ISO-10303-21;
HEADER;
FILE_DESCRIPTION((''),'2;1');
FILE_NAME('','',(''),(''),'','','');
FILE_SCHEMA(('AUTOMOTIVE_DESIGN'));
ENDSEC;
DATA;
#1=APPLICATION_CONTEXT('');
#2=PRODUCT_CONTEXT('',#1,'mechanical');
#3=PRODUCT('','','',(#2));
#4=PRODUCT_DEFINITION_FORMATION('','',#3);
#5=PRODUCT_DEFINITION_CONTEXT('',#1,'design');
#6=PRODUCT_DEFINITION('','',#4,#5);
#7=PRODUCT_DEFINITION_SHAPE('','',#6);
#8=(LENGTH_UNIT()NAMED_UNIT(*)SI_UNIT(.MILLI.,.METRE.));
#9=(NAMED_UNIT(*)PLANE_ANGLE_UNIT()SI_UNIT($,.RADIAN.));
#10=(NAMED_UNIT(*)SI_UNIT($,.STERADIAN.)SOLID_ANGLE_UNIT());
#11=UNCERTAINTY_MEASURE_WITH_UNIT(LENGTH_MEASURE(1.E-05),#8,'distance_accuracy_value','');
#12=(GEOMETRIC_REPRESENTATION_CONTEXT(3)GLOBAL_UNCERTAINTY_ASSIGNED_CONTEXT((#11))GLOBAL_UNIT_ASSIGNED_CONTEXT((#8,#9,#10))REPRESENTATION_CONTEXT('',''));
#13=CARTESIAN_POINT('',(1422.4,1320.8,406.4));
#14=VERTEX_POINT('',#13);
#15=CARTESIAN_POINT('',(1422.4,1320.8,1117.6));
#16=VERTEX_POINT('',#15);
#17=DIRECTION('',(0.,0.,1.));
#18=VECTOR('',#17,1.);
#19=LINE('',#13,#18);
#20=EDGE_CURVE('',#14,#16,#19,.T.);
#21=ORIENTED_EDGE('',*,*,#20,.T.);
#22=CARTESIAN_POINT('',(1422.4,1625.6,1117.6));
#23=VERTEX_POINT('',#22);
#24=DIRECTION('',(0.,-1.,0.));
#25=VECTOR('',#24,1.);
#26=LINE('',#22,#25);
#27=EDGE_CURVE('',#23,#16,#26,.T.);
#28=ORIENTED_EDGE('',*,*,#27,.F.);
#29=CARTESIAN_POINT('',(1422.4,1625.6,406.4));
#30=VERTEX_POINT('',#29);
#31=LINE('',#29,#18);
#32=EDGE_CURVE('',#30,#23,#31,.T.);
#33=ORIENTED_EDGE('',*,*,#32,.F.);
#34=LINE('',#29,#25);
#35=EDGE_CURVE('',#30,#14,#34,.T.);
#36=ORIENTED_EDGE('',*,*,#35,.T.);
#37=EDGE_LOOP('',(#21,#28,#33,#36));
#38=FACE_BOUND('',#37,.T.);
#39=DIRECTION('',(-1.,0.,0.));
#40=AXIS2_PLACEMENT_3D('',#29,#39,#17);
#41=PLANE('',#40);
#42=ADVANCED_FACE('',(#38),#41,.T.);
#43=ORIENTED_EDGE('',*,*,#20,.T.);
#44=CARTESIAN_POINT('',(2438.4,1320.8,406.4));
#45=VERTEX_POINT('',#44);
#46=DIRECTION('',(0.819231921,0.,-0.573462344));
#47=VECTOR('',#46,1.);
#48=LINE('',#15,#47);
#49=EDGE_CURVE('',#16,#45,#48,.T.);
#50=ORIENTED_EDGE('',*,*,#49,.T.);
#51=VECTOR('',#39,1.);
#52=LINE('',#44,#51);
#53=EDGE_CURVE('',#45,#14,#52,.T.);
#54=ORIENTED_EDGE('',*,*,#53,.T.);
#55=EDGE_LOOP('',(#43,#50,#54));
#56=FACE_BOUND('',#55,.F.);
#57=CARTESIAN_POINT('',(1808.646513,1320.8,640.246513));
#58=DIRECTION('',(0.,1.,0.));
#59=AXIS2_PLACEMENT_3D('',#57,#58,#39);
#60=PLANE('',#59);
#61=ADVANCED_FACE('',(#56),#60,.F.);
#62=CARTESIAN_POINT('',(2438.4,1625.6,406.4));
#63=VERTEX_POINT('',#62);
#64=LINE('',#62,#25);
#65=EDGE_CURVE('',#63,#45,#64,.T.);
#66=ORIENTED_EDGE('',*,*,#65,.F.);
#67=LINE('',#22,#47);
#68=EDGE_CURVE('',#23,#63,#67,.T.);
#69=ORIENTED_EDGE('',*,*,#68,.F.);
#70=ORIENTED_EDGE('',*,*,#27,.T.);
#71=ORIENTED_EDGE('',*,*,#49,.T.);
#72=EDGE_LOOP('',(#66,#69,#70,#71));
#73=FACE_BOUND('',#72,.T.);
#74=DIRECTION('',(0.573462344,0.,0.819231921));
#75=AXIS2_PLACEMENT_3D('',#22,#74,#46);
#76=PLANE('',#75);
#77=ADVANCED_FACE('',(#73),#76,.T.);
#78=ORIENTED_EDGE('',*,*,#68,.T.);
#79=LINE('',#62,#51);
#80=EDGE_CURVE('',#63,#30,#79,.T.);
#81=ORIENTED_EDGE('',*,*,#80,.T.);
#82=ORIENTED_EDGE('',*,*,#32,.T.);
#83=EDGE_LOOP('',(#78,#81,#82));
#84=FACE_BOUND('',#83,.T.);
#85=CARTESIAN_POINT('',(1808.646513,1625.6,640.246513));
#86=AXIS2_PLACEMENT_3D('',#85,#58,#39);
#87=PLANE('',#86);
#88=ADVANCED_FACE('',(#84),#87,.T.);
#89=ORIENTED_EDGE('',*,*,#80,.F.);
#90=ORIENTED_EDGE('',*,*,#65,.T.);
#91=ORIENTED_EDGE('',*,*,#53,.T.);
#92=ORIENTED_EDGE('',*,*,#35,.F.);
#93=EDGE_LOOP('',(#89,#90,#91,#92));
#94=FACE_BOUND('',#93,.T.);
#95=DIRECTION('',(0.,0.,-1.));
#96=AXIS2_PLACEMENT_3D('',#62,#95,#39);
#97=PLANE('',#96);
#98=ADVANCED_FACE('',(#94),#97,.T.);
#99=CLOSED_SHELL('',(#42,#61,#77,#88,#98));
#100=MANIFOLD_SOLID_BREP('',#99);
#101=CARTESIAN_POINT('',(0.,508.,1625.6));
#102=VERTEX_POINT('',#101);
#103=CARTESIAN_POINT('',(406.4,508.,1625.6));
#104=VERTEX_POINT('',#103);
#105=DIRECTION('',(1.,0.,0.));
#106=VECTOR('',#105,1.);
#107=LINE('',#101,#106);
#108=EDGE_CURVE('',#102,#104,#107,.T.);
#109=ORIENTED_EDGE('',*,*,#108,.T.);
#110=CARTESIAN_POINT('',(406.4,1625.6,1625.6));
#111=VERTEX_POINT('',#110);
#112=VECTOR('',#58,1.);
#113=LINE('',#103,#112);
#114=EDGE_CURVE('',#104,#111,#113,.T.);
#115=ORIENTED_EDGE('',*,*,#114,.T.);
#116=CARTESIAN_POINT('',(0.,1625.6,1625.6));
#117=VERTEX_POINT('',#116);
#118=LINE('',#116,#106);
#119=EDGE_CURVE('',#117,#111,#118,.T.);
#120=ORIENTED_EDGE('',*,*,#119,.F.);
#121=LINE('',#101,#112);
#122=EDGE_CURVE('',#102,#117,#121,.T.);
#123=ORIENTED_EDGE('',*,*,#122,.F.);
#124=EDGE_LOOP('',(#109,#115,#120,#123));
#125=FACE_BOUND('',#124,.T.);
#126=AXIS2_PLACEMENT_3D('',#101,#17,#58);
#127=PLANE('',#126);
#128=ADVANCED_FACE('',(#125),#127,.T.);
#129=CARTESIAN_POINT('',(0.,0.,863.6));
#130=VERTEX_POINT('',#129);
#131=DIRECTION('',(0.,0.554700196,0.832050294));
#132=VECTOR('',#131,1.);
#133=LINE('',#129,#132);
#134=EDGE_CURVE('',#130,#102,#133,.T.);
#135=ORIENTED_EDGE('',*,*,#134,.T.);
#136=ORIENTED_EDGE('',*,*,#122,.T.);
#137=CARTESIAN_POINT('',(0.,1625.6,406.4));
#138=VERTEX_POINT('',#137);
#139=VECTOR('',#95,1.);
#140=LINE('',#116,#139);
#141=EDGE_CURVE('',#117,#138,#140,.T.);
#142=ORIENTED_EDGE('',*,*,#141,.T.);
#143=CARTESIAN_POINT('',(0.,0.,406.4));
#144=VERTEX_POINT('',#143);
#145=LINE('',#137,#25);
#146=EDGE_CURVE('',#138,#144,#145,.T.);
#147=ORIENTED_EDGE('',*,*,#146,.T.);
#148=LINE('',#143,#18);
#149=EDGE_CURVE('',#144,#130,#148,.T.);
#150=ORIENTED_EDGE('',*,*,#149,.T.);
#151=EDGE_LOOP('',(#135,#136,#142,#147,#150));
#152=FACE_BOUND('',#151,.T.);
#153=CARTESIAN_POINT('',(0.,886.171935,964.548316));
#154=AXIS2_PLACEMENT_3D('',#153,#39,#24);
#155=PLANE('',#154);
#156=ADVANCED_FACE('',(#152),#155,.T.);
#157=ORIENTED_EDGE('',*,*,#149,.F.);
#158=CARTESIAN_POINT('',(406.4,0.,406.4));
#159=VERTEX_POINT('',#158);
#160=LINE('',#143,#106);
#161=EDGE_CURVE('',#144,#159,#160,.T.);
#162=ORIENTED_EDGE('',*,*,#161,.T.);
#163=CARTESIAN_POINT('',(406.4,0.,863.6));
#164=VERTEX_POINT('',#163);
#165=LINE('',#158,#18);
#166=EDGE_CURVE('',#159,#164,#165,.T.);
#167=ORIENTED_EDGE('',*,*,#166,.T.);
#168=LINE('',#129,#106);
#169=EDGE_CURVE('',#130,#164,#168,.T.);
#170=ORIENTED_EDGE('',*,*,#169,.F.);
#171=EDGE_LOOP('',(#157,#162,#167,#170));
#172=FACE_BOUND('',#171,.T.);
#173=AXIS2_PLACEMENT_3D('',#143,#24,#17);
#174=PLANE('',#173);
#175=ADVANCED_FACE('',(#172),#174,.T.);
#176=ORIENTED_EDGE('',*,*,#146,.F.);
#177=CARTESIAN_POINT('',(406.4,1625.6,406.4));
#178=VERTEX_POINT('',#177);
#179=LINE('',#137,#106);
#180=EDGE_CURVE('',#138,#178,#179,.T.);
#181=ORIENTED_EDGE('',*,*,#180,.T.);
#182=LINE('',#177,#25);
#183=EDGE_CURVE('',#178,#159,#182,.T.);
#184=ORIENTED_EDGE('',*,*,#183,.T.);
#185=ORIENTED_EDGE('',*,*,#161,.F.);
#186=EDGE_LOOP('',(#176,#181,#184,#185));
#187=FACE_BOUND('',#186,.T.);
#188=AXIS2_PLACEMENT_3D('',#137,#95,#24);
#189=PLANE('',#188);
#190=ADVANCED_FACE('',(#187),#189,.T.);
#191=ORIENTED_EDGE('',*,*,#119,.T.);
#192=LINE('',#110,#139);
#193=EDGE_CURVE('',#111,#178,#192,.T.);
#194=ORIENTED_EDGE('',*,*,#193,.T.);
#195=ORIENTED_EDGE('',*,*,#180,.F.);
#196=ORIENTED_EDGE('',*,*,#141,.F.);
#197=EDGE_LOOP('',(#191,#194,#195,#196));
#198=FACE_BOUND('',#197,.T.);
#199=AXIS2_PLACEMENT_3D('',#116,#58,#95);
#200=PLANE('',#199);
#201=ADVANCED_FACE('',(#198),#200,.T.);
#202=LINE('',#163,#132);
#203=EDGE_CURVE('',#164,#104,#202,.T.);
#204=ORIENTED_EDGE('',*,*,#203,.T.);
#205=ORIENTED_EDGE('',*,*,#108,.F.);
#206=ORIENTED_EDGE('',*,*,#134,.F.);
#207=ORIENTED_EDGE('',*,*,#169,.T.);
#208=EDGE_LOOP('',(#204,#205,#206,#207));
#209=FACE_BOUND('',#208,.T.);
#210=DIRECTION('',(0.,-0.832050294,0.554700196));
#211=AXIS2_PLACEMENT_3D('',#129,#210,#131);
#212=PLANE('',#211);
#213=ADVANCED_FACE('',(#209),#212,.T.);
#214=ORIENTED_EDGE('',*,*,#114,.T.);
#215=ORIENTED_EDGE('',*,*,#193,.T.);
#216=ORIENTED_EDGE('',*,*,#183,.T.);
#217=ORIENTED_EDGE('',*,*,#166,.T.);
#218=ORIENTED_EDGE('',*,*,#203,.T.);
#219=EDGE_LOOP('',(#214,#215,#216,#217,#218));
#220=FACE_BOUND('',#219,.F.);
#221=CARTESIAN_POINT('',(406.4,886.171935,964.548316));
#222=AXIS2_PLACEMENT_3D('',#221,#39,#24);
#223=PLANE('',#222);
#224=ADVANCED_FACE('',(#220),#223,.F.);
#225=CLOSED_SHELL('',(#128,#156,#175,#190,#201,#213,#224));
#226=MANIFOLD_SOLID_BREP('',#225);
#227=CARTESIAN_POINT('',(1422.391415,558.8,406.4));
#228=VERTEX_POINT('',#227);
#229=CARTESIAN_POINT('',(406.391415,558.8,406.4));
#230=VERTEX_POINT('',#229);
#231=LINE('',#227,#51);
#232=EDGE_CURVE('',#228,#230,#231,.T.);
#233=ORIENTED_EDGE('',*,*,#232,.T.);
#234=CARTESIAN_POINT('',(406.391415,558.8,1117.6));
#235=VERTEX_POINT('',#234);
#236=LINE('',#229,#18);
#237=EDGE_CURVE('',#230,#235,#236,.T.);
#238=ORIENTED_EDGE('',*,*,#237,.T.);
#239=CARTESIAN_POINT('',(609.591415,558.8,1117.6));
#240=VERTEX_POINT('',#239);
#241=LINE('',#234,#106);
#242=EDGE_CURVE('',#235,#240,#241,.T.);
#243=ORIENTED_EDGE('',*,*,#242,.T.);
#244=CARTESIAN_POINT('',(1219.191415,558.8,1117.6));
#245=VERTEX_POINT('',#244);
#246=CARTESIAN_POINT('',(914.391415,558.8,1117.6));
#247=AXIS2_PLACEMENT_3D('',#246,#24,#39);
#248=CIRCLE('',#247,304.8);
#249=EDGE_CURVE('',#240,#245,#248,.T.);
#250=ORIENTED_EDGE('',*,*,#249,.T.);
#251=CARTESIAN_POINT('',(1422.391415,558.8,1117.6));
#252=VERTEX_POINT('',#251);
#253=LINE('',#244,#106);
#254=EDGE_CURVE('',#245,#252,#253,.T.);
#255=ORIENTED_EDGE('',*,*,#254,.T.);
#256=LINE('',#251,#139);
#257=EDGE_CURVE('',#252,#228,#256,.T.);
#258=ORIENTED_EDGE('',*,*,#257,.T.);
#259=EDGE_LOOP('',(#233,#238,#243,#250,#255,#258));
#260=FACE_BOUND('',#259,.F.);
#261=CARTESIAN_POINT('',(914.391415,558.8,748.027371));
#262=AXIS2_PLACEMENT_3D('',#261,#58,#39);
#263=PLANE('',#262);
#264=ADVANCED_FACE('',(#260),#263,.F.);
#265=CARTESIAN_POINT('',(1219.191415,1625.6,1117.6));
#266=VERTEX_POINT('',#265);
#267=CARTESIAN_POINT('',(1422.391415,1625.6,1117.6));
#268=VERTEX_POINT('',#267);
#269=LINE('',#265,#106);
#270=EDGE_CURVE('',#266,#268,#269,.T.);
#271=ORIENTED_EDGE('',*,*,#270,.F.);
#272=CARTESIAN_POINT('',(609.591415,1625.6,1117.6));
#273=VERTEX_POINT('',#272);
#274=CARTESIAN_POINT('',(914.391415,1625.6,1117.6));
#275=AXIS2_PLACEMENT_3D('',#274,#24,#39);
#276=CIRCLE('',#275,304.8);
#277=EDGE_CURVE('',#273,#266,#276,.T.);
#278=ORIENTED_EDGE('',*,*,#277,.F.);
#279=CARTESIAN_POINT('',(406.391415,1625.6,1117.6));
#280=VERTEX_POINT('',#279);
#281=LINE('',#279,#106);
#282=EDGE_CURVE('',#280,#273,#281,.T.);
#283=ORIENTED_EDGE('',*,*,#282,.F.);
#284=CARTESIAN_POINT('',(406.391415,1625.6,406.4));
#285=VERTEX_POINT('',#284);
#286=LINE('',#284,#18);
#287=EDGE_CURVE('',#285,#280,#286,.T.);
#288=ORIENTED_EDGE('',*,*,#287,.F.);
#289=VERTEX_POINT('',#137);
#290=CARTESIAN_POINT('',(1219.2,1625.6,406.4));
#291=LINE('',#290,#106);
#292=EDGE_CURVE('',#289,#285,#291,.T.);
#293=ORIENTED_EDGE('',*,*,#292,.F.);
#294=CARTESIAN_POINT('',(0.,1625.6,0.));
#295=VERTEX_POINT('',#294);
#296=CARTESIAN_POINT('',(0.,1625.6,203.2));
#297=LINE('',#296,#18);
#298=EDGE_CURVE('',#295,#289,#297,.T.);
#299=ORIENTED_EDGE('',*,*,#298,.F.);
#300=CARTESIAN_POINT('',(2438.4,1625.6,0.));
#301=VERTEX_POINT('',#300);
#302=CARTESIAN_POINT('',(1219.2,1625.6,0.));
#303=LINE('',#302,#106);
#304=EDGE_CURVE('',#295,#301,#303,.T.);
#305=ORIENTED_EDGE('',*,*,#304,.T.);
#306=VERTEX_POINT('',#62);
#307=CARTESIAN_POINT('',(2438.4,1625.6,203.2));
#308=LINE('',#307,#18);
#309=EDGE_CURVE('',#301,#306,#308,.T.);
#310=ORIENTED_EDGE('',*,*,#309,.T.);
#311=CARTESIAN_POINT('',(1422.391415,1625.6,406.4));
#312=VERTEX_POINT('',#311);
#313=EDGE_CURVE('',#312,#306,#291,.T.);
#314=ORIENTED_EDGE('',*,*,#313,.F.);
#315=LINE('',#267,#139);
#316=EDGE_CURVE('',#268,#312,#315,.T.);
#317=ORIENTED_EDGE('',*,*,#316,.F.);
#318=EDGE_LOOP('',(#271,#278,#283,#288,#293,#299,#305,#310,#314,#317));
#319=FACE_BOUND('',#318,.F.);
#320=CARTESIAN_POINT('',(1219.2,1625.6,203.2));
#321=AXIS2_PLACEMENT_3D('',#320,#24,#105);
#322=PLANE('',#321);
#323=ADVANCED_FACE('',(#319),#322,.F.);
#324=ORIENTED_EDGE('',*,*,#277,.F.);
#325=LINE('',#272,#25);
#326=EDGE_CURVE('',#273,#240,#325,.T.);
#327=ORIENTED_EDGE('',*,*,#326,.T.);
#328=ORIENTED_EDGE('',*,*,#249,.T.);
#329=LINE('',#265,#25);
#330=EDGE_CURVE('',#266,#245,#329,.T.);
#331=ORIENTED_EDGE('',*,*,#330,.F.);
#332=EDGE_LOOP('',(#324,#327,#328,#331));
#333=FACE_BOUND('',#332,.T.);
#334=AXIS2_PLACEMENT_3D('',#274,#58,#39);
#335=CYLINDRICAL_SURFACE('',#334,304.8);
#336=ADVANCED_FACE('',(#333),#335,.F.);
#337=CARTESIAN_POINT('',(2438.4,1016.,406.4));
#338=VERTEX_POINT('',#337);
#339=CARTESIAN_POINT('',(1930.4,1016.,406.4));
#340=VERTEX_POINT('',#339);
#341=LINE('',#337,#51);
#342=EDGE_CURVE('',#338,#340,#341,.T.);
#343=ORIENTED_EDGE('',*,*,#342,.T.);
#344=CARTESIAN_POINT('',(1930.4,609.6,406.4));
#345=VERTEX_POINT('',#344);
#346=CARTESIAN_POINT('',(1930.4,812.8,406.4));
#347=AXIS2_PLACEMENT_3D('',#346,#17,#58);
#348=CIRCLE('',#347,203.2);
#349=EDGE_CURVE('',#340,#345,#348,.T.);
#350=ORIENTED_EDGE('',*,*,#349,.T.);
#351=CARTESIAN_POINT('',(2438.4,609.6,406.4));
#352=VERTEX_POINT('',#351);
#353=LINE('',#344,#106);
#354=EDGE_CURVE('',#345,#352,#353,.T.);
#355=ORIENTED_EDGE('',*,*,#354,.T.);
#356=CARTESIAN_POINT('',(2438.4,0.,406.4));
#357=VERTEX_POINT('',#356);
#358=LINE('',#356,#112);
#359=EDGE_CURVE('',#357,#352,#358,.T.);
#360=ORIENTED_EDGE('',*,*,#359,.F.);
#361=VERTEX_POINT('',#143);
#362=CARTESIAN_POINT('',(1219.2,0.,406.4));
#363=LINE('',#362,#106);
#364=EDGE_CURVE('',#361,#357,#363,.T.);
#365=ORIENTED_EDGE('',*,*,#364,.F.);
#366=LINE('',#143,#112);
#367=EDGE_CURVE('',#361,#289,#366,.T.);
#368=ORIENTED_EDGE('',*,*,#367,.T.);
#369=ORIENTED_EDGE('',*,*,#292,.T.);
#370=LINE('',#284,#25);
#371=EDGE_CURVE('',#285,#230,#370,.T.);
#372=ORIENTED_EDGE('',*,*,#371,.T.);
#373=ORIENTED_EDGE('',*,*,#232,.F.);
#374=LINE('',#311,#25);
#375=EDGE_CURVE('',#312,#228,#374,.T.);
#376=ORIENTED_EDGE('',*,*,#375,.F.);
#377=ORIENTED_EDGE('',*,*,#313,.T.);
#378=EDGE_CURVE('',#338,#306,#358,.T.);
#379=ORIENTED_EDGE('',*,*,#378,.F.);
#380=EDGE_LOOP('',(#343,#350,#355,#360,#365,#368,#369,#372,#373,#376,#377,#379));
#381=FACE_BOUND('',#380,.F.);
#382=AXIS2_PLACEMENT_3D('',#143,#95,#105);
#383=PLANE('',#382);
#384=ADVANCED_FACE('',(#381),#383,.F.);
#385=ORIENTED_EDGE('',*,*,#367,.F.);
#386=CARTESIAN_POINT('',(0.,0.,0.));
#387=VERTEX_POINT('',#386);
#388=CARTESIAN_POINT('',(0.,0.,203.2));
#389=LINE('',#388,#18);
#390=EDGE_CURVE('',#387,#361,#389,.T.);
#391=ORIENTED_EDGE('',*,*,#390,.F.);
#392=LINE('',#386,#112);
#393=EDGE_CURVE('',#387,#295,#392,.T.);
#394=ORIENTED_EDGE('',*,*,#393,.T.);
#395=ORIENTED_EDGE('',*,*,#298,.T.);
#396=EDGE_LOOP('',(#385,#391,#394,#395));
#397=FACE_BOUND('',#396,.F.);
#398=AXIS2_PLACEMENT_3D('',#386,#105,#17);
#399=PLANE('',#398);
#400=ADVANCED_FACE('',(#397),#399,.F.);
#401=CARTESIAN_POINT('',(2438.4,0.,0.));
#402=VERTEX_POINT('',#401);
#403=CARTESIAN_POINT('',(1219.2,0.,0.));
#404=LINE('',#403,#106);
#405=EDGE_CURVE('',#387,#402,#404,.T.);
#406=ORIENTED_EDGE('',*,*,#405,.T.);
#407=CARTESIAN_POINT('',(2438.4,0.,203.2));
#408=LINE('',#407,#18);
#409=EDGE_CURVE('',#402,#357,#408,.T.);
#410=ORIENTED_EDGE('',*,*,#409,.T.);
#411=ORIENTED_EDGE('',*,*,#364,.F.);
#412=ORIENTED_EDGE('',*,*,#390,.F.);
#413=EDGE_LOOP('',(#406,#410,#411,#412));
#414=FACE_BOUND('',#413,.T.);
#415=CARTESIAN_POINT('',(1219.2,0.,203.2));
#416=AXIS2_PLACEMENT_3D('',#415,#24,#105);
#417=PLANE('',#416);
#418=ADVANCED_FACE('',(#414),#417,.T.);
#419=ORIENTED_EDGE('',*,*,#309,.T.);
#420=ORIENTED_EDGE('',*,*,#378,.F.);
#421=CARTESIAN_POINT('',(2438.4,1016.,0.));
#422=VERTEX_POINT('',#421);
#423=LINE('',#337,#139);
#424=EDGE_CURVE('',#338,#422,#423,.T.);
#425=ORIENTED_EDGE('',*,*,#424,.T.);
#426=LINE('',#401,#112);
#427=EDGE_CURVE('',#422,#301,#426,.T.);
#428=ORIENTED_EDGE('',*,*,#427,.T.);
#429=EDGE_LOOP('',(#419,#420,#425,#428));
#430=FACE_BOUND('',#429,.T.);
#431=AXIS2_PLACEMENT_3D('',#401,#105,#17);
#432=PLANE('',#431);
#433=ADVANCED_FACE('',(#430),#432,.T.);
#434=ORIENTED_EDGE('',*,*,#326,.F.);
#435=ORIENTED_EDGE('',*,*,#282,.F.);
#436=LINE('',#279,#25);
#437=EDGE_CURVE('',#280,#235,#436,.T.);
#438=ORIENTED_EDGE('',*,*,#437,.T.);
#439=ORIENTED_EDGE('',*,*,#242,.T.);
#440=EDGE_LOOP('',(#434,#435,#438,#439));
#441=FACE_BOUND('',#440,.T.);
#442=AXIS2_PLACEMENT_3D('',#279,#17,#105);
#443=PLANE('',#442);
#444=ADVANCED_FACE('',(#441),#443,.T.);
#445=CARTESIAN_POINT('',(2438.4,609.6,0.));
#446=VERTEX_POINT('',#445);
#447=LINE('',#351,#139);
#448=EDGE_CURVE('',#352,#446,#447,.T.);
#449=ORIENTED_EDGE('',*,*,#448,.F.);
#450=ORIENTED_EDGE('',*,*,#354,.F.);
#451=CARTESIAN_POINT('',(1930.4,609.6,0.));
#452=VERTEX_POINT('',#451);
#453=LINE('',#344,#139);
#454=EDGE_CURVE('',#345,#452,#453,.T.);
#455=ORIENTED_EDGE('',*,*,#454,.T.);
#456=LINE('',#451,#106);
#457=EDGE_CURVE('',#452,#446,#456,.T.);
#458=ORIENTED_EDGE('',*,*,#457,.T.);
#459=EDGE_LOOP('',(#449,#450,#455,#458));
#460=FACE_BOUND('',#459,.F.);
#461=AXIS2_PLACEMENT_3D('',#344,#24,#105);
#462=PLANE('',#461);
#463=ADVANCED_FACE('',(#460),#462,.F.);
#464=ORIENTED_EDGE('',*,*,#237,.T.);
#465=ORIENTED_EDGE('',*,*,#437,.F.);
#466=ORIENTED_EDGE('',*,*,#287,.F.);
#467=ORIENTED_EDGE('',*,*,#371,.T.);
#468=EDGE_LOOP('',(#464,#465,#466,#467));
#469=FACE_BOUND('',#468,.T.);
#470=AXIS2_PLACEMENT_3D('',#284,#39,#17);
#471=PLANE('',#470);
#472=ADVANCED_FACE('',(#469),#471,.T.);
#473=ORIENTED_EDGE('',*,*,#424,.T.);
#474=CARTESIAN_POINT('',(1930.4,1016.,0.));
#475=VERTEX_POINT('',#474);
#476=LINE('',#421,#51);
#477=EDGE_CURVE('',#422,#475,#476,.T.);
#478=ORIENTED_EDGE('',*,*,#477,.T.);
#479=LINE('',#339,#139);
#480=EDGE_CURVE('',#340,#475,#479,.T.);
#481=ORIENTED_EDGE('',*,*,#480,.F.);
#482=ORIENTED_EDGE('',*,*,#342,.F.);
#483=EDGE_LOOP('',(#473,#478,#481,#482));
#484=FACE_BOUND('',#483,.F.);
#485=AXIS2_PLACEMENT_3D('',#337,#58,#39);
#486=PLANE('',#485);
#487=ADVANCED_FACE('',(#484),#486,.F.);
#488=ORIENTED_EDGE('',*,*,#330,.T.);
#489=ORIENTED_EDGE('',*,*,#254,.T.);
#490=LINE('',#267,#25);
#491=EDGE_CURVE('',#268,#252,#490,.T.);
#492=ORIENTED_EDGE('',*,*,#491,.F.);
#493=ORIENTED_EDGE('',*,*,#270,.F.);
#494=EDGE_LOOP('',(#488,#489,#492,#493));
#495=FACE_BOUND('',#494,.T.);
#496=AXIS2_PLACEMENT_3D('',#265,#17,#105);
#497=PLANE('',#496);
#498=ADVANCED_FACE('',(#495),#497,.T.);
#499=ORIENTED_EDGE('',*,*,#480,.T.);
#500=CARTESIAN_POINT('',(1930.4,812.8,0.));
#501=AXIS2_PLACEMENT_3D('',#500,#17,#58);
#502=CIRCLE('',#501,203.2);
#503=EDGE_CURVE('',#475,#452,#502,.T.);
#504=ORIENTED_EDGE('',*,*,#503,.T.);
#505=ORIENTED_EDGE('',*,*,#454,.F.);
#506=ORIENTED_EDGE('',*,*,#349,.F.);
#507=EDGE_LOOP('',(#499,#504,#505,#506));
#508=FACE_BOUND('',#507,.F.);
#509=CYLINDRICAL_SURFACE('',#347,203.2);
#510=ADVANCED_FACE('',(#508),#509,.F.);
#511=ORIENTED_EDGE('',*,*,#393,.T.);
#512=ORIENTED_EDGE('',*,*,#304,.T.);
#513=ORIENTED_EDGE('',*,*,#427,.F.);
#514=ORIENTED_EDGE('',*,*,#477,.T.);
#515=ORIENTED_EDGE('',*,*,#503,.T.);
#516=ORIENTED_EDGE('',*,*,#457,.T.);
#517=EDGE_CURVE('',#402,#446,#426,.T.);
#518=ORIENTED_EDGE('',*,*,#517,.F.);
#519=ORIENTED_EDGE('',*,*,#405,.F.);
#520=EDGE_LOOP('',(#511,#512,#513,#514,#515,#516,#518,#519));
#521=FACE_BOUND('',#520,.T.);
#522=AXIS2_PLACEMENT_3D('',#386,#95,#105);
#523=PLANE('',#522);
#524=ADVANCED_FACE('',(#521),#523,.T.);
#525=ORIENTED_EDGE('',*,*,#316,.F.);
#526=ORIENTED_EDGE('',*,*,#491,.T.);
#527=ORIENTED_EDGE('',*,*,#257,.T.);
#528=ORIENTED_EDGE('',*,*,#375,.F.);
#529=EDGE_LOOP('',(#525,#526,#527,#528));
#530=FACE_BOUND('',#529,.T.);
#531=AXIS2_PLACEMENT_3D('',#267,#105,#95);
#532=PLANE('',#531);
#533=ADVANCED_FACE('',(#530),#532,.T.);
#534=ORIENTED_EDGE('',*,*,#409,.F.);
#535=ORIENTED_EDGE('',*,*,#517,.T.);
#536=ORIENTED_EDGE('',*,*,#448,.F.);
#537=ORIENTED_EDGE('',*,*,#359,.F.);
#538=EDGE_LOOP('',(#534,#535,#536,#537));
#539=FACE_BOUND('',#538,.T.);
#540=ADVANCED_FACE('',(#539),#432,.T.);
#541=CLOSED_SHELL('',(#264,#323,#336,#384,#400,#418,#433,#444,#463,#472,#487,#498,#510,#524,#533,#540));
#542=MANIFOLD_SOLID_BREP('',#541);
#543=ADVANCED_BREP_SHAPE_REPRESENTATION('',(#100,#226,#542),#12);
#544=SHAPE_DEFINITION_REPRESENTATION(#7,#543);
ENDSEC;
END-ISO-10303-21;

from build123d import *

# Parameters (mm, degrees)
F0_W     = 2438.4
F0_H     = 406.4
F1_DEPTH = 1625.6
F3_DEPTH = 304.8
F5_DEPTH = 406.4
F8_DEPTH = 1066.8
F9_DEPTH = 406.4


with BuildPart() as f1:
    # F0 (on Front) → F1 (new body)
    with BuildSketch(Plane.XZ):
        with Locations((1219.2, 203.2)):
            Rectangle(F0_W, F0_H)
    extrude(amount=-F1_DEPTH)

    # F4 (on face) → F5 (cut)
    with BuildSketch(Plane.XY.offset(406.4)):
        with BuildLine():
            Line((1930.4, 609.6), (2438.4, 609.6))
            Line((2438.4, 609.6), (2438.4, 1016))
            Line((2438.4, 1016), (1930.4, 1016))
            ThreePointArc((1930.4, 1016), (1727.2, 812.8), (1930.4, 609.6))
        make_face()
    extrude(amount=-F5_DEPTH, mode=Mode.SUBTRACT)

    # F7 (on face) → F8 (join)
    with BuildSketch(Plane(origin=(0, 1625.6, 0), x_dir=(-1, 0, 0), z_dir=(0, 1, 0))):
        with BuildLine():
            Line((-1422.391415, 1117.6), (-1422.391415, 406.4))
            Line((-1422.391415, 406.4), (-406.391415, 406.4))
            Line((-406.391415, 406.4), (-406.391415, 1117.6))
            Line((-406.391415, 1117.6), (-609.591415, 1117.6))
            ThreePointArc((-609.591415, 1117.6), (-914.391415, 812.8), (-1219.191415, 1117.6))
            Line((-1219.191415, 1117.6), (-1422.391415, 1117.6))
        make_face()
    extrude(amount=-F8_DEPTH)


with BuildPart() as f3:
    # F2 (on face) → F3 (new body)
    with BuildSketch(Plane(origin=(0, 1625.6, 0), x_dir=(-1, 0, 0), z_dir=(0, 1, 0))):
        Polygon((-1422.4, 1117.6), (-2438.4, 406.4), (-1422.4, 406.4), align=None)
    extrude(amount=-F3_DEPTH)


with BuildPart() as f9:
    # F6 (on face) → F9 (new body)
    with BuildSketch(Plane(origin=(0, 0, 0), x_dir=(0, -1, 0), z_dir=(-1, 0, 0))):
        Polygon((-1625.6, 1625.6), (-1625.6, 406.4), (0, 406.4), (0, 863.6), (-508, 1625.6), align=None)
    extrude(amount=-F9_DEPTH)


solid = Compound([f1.part, f3.part, f9.part])
